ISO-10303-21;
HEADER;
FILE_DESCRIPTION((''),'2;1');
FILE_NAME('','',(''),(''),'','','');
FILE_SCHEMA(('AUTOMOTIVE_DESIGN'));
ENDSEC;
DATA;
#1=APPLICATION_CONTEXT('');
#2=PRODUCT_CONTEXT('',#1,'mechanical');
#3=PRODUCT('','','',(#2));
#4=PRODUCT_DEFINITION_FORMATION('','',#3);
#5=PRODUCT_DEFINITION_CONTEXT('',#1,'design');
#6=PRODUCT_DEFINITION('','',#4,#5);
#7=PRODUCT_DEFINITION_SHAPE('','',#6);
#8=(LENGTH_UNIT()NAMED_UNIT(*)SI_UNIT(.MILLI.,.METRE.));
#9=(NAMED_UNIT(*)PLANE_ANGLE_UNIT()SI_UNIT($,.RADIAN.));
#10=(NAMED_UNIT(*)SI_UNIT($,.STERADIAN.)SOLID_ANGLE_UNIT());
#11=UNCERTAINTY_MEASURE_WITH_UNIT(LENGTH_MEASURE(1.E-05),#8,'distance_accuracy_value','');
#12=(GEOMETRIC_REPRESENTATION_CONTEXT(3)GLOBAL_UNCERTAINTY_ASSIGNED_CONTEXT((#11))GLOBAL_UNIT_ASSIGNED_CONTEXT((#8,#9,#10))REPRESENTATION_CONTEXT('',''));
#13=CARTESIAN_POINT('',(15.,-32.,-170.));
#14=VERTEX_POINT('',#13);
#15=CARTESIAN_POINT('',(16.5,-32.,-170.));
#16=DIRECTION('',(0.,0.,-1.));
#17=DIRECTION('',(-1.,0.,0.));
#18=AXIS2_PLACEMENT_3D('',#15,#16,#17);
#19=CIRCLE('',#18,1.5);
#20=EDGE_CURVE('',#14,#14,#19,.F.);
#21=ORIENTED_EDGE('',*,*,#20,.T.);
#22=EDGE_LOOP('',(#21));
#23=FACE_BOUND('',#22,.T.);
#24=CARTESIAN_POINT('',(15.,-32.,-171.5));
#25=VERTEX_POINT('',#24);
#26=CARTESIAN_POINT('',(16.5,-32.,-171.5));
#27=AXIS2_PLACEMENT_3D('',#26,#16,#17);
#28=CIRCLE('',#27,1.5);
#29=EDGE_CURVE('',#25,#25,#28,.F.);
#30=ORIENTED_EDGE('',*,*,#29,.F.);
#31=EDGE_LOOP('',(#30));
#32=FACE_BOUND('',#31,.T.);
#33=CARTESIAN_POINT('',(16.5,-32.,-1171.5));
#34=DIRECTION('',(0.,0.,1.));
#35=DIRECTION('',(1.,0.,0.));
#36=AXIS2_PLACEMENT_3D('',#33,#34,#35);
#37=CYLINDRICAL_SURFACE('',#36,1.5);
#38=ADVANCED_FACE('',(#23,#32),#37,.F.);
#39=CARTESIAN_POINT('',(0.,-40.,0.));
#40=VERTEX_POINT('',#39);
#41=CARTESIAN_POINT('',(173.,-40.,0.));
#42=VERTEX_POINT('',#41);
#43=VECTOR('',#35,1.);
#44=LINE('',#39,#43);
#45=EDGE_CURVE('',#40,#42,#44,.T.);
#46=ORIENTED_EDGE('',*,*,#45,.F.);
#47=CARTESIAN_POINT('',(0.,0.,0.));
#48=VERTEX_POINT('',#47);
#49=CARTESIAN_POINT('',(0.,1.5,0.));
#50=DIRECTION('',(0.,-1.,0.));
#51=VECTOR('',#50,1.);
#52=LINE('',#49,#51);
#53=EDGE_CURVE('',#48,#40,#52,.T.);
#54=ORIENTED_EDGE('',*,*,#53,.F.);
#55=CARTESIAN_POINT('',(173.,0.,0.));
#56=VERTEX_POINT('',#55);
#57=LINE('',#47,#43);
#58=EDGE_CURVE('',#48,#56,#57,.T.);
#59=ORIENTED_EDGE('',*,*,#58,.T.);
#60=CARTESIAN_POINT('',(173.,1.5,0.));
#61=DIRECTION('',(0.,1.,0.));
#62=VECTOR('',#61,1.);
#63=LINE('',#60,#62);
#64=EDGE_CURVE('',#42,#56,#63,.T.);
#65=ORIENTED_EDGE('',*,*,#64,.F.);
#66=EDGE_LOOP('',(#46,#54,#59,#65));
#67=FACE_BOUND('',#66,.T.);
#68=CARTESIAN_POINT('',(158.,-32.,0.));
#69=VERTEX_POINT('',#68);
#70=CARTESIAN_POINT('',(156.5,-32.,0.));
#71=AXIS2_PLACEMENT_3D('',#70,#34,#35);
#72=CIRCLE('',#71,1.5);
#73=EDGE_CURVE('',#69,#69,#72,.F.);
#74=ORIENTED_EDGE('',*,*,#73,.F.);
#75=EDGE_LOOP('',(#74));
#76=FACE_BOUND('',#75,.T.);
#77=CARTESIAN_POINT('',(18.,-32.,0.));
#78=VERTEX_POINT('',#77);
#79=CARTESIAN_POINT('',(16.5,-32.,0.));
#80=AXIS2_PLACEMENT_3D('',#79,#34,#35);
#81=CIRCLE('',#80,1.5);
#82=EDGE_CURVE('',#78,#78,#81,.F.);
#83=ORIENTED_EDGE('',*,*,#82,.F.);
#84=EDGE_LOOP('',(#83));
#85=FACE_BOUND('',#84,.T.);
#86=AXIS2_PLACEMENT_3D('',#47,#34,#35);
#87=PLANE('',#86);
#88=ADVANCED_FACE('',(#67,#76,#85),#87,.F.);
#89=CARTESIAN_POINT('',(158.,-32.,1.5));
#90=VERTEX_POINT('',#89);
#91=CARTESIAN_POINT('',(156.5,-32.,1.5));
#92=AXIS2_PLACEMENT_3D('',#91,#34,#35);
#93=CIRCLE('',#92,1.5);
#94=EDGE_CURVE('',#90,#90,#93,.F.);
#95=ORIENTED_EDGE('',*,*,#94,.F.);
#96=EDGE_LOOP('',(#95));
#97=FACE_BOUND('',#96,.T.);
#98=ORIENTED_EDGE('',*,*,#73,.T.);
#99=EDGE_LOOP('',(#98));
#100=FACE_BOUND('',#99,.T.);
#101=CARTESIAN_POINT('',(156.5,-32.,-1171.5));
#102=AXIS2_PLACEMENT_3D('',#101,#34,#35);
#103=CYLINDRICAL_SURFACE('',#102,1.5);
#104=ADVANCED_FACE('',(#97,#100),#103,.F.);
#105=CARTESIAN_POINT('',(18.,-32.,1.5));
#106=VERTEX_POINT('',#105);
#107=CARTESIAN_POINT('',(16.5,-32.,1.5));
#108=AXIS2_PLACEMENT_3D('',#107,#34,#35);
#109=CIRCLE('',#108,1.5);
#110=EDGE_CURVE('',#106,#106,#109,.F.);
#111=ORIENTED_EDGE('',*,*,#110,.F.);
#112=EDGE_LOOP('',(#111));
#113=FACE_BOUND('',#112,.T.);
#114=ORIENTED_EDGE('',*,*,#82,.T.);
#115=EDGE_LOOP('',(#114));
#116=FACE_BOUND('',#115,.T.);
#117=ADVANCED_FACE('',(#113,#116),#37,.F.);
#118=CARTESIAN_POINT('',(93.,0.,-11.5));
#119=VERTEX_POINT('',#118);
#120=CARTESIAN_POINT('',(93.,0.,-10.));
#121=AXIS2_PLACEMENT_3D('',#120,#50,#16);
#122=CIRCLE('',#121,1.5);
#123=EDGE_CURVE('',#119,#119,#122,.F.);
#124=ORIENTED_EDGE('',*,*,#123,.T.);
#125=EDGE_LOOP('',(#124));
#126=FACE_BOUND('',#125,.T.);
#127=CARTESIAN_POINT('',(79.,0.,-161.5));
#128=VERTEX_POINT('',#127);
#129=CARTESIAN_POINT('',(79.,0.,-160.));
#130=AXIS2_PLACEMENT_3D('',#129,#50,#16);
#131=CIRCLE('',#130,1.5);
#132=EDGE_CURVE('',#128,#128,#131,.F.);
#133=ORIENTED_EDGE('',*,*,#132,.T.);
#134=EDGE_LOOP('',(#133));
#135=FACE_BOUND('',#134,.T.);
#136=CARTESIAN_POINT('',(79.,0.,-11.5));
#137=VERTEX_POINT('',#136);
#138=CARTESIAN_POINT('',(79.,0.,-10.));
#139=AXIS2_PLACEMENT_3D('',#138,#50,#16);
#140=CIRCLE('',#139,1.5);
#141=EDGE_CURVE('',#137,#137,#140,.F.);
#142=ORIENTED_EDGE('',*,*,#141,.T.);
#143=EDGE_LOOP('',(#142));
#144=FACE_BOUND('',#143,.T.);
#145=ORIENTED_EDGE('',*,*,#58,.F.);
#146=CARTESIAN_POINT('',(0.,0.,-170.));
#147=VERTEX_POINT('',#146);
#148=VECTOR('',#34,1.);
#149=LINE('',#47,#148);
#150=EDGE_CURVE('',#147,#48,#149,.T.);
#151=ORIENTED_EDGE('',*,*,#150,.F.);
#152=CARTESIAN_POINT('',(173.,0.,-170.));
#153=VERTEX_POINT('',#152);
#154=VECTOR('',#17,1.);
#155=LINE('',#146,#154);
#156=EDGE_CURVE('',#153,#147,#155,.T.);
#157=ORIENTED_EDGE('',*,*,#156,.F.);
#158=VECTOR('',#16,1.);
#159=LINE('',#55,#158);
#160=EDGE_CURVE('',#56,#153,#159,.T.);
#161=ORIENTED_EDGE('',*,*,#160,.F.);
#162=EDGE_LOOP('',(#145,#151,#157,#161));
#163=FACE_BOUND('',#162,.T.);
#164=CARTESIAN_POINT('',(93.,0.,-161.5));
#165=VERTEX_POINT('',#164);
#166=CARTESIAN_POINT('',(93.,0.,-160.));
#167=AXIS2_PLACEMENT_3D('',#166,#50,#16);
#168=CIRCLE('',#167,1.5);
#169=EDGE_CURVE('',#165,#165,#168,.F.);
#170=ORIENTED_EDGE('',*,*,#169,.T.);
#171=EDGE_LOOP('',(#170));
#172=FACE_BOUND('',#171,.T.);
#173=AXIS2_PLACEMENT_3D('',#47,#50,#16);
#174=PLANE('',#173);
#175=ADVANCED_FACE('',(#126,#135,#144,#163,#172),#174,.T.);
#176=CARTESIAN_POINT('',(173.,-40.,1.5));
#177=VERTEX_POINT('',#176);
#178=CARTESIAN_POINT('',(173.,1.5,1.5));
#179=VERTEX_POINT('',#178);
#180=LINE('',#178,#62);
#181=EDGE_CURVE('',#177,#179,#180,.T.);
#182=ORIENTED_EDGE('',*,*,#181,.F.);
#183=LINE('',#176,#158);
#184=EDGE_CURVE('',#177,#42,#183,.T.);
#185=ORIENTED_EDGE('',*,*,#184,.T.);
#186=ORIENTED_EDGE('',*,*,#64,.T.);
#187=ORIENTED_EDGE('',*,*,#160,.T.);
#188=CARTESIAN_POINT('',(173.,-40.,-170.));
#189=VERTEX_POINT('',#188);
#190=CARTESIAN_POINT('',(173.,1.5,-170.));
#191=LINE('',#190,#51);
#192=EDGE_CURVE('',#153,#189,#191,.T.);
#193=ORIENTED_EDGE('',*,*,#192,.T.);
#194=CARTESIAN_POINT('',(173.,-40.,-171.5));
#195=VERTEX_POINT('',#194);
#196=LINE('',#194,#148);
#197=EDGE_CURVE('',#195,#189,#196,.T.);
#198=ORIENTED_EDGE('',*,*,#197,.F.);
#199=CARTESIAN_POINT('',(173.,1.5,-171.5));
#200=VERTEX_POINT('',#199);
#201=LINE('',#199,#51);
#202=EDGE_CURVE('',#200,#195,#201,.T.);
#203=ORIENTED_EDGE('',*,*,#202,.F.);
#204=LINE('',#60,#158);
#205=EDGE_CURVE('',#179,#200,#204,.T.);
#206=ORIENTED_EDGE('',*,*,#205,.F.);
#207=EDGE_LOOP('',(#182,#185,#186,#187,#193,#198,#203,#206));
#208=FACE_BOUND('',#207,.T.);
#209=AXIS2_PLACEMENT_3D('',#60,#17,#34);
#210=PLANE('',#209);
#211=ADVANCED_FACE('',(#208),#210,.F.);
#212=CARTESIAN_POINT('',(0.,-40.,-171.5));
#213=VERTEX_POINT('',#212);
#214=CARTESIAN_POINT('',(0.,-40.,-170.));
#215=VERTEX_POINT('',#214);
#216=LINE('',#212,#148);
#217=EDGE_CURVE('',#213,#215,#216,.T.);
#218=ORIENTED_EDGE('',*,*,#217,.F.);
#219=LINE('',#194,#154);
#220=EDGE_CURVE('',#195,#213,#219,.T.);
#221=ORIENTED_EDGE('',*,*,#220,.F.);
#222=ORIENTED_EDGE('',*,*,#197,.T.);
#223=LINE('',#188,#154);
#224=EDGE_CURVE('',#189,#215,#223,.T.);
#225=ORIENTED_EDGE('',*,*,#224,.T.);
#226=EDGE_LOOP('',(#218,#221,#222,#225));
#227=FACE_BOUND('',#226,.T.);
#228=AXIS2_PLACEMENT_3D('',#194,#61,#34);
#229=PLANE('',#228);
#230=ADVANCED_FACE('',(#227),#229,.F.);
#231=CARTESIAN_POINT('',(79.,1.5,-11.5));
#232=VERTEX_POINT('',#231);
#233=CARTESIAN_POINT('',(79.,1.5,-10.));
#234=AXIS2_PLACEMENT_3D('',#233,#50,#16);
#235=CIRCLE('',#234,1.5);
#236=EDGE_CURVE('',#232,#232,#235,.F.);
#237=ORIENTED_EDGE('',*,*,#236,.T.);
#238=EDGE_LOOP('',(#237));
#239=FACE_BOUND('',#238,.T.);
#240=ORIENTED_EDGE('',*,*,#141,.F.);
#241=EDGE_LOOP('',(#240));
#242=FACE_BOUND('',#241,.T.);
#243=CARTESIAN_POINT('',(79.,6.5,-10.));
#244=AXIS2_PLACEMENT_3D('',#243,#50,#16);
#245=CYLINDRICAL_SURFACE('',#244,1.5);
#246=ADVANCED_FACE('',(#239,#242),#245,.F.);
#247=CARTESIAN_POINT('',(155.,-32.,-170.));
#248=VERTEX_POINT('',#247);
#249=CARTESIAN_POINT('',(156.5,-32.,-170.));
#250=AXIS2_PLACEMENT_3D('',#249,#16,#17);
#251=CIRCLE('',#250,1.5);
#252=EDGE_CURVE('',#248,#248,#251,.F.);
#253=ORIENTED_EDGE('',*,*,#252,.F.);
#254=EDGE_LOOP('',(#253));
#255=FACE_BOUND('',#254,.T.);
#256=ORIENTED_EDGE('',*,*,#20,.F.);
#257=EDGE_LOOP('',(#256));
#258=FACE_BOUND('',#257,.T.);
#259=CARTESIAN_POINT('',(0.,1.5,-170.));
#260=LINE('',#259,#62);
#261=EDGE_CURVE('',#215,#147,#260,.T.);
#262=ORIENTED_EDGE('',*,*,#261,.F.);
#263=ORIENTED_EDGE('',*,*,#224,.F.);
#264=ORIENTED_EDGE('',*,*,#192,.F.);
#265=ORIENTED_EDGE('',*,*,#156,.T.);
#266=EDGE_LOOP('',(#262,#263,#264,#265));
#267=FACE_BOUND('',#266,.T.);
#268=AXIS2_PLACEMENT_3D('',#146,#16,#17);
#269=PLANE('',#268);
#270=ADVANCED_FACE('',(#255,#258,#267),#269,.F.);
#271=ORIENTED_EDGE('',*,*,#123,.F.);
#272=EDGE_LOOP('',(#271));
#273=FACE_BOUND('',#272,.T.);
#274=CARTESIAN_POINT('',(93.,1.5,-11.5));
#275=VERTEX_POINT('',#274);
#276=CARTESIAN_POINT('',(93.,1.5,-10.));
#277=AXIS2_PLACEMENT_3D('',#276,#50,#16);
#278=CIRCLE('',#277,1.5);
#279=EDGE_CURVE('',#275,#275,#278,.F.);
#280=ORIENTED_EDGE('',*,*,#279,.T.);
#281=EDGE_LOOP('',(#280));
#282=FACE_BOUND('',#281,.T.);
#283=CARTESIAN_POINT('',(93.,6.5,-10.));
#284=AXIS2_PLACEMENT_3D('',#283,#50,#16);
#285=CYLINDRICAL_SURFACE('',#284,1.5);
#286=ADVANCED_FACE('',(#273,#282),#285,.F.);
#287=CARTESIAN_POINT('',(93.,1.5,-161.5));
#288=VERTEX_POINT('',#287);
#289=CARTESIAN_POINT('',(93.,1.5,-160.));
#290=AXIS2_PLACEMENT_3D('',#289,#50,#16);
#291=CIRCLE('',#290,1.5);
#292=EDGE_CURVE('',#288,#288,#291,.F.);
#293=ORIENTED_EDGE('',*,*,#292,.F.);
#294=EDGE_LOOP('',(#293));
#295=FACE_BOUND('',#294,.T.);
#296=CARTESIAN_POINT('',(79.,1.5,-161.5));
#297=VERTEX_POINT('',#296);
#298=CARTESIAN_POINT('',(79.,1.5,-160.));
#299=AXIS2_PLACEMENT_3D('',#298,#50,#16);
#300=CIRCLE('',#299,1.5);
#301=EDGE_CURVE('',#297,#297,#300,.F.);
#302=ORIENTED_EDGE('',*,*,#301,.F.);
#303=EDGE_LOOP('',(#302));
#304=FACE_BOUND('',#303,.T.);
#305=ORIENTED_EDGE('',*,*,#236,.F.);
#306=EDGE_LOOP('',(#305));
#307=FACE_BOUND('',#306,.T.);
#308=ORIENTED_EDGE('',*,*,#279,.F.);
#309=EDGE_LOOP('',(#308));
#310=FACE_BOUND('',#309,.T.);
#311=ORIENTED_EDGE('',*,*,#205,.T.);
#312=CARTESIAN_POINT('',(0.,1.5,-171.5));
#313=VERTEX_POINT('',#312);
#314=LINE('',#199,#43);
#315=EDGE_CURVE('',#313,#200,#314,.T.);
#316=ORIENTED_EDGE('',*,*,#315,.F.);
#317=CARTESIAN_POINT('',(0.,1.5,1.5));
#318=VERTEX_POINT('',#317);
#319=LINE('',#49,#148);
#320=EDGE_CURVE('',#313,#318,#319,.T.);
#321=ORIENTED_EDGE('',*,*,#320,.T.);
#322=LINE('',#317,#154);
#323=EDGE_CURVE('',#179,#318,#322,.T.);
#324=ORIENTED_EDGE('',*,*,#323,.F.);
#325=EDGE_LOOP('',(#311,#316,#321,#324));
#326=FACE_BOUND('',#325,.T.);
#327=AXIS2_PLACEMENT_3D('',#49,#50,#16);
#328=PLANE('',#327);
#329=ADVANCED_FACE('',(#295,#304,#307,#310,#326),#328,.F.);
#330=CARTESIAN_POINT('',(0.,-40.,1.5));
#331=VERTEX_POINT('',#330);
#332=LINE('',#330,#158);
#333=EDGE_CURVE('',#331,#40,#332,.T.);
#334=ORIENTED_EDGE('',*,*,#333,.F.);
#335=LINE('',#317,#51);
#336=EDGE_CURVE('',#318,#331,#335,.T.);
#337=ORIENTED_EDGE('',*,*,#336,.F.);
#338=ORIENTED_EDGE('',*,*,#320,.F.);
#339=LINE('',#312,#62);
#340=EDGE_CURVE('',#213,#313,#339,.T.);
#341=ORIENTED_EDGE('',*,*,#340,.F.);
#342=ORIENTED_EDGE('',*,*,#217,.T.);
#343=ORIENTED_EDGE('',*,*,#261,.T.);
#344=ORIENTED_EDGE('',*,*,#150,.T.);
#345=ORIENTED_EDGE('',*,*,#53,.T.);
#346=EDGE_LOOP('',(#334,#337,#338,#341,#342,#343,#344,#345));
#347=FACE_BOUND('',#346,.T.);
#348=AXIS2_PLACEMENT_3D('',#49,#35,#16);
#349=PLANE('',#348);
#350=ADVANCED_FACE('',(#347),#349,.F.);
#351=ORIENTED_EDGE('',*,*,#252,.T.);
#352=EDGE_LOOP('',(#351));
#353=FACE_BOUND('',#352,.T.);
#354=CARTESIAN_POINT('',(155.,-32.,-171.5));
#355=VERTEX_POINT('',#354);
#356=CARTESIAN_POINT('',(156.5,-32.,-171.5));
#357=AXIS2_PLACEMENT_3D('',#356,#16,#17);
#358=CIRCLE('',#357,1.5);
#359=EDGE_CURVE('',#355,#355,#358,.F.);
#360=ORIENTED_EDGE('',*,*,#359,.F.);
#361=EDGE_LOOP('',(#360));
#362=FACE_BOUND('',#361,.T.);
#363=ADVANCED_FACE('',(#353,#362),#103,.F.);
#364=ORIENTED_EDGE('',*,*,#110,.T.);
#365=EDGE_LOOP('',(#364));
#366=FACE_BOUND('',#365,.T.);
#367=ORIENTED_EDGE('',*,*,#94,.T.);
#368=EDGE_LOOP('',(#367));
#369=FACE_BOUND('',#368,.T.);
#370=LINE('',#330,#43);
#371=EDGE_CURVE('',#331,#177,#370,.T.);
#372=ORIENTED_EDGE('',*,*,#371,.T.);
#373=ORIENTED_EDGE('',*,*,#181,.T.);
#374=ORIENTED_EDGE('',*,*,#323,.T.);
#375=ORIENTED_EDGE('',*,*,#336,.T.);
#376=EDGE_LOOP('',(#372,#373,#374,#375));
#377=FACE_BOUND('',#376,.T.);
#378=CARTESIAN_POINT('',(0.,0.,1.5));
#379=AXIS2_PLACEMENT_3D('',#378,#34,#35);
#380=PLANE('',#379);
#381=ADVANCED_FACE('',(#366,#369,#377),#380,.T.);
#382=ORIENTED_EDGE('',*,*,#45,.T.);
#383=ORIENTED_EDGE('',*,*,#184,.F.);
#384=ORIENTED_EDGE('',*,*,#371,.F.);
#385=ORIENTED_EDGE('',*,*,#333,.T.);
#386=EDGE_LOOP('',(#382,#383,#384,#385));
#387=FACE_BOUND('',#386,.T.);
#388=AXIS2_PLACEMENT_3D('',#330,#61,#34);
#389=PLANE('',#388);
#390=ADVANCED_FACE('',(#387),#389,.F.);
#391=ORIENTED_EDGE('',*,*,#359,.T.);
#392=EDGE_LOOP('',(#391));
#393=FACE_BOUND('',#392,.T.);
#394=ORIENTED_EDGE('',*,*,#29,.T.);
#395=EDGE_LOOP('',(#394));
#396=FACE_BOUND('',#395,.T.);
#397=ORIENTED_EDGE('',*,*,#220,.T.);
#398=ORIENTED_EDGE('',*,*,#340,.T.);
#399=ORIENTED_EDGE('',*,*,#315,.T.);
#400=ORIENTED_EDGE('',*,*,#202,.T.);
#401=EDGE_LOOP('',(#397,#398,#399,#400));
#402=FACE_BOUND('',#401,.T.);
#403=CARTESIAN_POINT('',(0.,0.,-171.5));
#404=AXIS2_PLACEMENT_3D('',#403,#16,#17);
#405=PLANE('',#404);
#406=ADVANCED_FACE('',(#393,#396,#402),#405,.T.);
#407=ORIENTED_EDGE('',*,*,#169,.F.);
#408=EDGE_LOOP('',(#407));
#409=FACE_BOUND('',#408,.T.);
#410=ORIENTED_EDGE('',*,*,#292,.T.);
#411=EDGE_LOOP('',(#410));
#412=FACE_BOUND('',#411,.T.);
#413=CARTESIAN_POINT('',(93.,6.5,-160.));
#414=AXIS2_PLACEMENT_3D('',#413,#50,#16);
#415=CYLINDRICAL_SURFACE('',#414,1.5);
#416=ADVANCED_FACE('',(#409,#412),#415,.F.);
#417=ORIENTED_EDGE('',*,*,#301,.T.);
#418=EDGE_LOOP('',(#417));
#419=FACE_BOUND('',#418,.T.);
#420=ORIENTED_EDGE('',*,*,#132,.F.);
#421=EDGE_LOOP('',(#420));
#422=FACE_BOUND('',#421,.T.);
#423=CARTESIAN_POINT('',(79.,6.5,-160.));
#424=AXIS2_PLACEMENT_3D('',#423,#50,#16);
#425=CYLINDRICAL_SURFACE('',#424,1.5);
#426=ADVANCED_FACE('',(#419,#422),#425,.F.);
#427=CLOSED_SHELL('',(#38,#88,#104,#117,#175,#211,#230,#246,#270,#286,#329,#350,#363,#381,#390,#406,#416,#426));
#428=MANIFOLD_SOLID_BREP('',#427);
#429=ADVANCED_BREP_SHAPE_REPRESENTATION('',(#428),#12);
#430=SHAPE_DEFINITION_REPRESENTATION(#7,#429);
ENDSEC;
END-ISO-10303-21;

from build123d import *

# Parameters (mm, degrees)
SKETCH1_W               = 173
SKETCH1_H               = 170
BOSS_EXTRUDE1_DEPTH     = 1.5
SKETCH2_W               = 173
SKETCH2_H               = 41.5
BOSS_EXTRUDE2_DEPTH     = 1.5
SKETCH3_W               = 173
SKETCH3_H               = 41.5
BOSS_EXTRUDE3_DEPTH     = 1.5
CUT_EXTRUDE1_DEPTH      = 1000
CUT_EXTRUDE1_DEPTH_BACK = 1000
SKETCH4_R               = 1.5
CUT_EXTRUDE2_DEPTH      = 5
CUT_EXTRUDE2_DEPTH_BACK = 5
SKETCH5_R               = 1.5


with BuildPart() as part:
    # Sketch1 → Boss-Extrude1 (new body)
    with BuildSketch(Plane(origin=(0, 0, 0), x_dir=(1, 0, 0), z_dir=(0, 1, 0))):
        with Locations((86.5, 85)):
            Rectangle(SKETCH1_W, SKETCH1_H)
    extrude(amount=BOSS_EXTRUDE1_DEPTH)

    # Sketch2 → Boss-Extrude2 (add)
    with BuildSketch(Plane.XY):
        with Locations((86.5, -19.25)):
            Rectangle(SKETCH2_W, SKETCH2_H)
    extrude(amount=BOSS_EXTRUDE2_DEPTH)

    # Sketch3 → Boss-Extrude3 (add)
    with BuildSketch(Plane(origin=(0, 0, -170), x_dir=(-1, 0, 0), z_dir=(0, 0, -1))):
        with Locations((-86.5, -19.25)):
            Rectangle(SKETCH3_W, SKETCH3_H)
    extrude(amount=BOSS_EXTRUDE3_DEPTH)

    # Sketch4 → Cut-Extrude1 (cut, two sides: drawn at the far end of the back side and taken through both)
    with BuildSketch(Plane(origin=(0, 0, -171.5), x_dir=(-1, 0, 0), z_dir=(0, 0, -1)).offset(-CUT_EXTRUDE1_DEPTH_BACK)):
        with Locations((-156.5, -32)):
            Circle(SKETCH4_R)
        with Locations((-16.5, -32)):
            Circle(SKETCH4_R)
    extrude(amount=CUT_EXTRUDE1_DEPTH + CUT_EXTRUDE1_DEPTH_BACK, mode=Mode.SUBTRACT)

    # Sketch5 → Cut-Extrude2 (cut, two sides: drawn at the far end of the back side and taken through both)
    with BuildSketch(Plane(origin=(0, 1.5, 0), x_dir=(1, 0, 0), z_dir=(0, 1, 0)).offset(-CUT_EXTRUDE2_DEPTH_BACK)):
        with Locations((79, 10)):
            Circle(SKETCH5_R)
        with Locations((79, 160)):
            Circle(SKETCH5_R)
        with Locations((93, 10)):
            Circle(SKETCH5_R)
        with Locations((93, 160)):
            Circle(SKETCH5_R)
    extrude(amount=CUT_EXTRUDE2_DEPTH + CUT_EXTRUDE2_DEPTH_BACK, mode=Mode.SUBTRACT)


solid = part.part
